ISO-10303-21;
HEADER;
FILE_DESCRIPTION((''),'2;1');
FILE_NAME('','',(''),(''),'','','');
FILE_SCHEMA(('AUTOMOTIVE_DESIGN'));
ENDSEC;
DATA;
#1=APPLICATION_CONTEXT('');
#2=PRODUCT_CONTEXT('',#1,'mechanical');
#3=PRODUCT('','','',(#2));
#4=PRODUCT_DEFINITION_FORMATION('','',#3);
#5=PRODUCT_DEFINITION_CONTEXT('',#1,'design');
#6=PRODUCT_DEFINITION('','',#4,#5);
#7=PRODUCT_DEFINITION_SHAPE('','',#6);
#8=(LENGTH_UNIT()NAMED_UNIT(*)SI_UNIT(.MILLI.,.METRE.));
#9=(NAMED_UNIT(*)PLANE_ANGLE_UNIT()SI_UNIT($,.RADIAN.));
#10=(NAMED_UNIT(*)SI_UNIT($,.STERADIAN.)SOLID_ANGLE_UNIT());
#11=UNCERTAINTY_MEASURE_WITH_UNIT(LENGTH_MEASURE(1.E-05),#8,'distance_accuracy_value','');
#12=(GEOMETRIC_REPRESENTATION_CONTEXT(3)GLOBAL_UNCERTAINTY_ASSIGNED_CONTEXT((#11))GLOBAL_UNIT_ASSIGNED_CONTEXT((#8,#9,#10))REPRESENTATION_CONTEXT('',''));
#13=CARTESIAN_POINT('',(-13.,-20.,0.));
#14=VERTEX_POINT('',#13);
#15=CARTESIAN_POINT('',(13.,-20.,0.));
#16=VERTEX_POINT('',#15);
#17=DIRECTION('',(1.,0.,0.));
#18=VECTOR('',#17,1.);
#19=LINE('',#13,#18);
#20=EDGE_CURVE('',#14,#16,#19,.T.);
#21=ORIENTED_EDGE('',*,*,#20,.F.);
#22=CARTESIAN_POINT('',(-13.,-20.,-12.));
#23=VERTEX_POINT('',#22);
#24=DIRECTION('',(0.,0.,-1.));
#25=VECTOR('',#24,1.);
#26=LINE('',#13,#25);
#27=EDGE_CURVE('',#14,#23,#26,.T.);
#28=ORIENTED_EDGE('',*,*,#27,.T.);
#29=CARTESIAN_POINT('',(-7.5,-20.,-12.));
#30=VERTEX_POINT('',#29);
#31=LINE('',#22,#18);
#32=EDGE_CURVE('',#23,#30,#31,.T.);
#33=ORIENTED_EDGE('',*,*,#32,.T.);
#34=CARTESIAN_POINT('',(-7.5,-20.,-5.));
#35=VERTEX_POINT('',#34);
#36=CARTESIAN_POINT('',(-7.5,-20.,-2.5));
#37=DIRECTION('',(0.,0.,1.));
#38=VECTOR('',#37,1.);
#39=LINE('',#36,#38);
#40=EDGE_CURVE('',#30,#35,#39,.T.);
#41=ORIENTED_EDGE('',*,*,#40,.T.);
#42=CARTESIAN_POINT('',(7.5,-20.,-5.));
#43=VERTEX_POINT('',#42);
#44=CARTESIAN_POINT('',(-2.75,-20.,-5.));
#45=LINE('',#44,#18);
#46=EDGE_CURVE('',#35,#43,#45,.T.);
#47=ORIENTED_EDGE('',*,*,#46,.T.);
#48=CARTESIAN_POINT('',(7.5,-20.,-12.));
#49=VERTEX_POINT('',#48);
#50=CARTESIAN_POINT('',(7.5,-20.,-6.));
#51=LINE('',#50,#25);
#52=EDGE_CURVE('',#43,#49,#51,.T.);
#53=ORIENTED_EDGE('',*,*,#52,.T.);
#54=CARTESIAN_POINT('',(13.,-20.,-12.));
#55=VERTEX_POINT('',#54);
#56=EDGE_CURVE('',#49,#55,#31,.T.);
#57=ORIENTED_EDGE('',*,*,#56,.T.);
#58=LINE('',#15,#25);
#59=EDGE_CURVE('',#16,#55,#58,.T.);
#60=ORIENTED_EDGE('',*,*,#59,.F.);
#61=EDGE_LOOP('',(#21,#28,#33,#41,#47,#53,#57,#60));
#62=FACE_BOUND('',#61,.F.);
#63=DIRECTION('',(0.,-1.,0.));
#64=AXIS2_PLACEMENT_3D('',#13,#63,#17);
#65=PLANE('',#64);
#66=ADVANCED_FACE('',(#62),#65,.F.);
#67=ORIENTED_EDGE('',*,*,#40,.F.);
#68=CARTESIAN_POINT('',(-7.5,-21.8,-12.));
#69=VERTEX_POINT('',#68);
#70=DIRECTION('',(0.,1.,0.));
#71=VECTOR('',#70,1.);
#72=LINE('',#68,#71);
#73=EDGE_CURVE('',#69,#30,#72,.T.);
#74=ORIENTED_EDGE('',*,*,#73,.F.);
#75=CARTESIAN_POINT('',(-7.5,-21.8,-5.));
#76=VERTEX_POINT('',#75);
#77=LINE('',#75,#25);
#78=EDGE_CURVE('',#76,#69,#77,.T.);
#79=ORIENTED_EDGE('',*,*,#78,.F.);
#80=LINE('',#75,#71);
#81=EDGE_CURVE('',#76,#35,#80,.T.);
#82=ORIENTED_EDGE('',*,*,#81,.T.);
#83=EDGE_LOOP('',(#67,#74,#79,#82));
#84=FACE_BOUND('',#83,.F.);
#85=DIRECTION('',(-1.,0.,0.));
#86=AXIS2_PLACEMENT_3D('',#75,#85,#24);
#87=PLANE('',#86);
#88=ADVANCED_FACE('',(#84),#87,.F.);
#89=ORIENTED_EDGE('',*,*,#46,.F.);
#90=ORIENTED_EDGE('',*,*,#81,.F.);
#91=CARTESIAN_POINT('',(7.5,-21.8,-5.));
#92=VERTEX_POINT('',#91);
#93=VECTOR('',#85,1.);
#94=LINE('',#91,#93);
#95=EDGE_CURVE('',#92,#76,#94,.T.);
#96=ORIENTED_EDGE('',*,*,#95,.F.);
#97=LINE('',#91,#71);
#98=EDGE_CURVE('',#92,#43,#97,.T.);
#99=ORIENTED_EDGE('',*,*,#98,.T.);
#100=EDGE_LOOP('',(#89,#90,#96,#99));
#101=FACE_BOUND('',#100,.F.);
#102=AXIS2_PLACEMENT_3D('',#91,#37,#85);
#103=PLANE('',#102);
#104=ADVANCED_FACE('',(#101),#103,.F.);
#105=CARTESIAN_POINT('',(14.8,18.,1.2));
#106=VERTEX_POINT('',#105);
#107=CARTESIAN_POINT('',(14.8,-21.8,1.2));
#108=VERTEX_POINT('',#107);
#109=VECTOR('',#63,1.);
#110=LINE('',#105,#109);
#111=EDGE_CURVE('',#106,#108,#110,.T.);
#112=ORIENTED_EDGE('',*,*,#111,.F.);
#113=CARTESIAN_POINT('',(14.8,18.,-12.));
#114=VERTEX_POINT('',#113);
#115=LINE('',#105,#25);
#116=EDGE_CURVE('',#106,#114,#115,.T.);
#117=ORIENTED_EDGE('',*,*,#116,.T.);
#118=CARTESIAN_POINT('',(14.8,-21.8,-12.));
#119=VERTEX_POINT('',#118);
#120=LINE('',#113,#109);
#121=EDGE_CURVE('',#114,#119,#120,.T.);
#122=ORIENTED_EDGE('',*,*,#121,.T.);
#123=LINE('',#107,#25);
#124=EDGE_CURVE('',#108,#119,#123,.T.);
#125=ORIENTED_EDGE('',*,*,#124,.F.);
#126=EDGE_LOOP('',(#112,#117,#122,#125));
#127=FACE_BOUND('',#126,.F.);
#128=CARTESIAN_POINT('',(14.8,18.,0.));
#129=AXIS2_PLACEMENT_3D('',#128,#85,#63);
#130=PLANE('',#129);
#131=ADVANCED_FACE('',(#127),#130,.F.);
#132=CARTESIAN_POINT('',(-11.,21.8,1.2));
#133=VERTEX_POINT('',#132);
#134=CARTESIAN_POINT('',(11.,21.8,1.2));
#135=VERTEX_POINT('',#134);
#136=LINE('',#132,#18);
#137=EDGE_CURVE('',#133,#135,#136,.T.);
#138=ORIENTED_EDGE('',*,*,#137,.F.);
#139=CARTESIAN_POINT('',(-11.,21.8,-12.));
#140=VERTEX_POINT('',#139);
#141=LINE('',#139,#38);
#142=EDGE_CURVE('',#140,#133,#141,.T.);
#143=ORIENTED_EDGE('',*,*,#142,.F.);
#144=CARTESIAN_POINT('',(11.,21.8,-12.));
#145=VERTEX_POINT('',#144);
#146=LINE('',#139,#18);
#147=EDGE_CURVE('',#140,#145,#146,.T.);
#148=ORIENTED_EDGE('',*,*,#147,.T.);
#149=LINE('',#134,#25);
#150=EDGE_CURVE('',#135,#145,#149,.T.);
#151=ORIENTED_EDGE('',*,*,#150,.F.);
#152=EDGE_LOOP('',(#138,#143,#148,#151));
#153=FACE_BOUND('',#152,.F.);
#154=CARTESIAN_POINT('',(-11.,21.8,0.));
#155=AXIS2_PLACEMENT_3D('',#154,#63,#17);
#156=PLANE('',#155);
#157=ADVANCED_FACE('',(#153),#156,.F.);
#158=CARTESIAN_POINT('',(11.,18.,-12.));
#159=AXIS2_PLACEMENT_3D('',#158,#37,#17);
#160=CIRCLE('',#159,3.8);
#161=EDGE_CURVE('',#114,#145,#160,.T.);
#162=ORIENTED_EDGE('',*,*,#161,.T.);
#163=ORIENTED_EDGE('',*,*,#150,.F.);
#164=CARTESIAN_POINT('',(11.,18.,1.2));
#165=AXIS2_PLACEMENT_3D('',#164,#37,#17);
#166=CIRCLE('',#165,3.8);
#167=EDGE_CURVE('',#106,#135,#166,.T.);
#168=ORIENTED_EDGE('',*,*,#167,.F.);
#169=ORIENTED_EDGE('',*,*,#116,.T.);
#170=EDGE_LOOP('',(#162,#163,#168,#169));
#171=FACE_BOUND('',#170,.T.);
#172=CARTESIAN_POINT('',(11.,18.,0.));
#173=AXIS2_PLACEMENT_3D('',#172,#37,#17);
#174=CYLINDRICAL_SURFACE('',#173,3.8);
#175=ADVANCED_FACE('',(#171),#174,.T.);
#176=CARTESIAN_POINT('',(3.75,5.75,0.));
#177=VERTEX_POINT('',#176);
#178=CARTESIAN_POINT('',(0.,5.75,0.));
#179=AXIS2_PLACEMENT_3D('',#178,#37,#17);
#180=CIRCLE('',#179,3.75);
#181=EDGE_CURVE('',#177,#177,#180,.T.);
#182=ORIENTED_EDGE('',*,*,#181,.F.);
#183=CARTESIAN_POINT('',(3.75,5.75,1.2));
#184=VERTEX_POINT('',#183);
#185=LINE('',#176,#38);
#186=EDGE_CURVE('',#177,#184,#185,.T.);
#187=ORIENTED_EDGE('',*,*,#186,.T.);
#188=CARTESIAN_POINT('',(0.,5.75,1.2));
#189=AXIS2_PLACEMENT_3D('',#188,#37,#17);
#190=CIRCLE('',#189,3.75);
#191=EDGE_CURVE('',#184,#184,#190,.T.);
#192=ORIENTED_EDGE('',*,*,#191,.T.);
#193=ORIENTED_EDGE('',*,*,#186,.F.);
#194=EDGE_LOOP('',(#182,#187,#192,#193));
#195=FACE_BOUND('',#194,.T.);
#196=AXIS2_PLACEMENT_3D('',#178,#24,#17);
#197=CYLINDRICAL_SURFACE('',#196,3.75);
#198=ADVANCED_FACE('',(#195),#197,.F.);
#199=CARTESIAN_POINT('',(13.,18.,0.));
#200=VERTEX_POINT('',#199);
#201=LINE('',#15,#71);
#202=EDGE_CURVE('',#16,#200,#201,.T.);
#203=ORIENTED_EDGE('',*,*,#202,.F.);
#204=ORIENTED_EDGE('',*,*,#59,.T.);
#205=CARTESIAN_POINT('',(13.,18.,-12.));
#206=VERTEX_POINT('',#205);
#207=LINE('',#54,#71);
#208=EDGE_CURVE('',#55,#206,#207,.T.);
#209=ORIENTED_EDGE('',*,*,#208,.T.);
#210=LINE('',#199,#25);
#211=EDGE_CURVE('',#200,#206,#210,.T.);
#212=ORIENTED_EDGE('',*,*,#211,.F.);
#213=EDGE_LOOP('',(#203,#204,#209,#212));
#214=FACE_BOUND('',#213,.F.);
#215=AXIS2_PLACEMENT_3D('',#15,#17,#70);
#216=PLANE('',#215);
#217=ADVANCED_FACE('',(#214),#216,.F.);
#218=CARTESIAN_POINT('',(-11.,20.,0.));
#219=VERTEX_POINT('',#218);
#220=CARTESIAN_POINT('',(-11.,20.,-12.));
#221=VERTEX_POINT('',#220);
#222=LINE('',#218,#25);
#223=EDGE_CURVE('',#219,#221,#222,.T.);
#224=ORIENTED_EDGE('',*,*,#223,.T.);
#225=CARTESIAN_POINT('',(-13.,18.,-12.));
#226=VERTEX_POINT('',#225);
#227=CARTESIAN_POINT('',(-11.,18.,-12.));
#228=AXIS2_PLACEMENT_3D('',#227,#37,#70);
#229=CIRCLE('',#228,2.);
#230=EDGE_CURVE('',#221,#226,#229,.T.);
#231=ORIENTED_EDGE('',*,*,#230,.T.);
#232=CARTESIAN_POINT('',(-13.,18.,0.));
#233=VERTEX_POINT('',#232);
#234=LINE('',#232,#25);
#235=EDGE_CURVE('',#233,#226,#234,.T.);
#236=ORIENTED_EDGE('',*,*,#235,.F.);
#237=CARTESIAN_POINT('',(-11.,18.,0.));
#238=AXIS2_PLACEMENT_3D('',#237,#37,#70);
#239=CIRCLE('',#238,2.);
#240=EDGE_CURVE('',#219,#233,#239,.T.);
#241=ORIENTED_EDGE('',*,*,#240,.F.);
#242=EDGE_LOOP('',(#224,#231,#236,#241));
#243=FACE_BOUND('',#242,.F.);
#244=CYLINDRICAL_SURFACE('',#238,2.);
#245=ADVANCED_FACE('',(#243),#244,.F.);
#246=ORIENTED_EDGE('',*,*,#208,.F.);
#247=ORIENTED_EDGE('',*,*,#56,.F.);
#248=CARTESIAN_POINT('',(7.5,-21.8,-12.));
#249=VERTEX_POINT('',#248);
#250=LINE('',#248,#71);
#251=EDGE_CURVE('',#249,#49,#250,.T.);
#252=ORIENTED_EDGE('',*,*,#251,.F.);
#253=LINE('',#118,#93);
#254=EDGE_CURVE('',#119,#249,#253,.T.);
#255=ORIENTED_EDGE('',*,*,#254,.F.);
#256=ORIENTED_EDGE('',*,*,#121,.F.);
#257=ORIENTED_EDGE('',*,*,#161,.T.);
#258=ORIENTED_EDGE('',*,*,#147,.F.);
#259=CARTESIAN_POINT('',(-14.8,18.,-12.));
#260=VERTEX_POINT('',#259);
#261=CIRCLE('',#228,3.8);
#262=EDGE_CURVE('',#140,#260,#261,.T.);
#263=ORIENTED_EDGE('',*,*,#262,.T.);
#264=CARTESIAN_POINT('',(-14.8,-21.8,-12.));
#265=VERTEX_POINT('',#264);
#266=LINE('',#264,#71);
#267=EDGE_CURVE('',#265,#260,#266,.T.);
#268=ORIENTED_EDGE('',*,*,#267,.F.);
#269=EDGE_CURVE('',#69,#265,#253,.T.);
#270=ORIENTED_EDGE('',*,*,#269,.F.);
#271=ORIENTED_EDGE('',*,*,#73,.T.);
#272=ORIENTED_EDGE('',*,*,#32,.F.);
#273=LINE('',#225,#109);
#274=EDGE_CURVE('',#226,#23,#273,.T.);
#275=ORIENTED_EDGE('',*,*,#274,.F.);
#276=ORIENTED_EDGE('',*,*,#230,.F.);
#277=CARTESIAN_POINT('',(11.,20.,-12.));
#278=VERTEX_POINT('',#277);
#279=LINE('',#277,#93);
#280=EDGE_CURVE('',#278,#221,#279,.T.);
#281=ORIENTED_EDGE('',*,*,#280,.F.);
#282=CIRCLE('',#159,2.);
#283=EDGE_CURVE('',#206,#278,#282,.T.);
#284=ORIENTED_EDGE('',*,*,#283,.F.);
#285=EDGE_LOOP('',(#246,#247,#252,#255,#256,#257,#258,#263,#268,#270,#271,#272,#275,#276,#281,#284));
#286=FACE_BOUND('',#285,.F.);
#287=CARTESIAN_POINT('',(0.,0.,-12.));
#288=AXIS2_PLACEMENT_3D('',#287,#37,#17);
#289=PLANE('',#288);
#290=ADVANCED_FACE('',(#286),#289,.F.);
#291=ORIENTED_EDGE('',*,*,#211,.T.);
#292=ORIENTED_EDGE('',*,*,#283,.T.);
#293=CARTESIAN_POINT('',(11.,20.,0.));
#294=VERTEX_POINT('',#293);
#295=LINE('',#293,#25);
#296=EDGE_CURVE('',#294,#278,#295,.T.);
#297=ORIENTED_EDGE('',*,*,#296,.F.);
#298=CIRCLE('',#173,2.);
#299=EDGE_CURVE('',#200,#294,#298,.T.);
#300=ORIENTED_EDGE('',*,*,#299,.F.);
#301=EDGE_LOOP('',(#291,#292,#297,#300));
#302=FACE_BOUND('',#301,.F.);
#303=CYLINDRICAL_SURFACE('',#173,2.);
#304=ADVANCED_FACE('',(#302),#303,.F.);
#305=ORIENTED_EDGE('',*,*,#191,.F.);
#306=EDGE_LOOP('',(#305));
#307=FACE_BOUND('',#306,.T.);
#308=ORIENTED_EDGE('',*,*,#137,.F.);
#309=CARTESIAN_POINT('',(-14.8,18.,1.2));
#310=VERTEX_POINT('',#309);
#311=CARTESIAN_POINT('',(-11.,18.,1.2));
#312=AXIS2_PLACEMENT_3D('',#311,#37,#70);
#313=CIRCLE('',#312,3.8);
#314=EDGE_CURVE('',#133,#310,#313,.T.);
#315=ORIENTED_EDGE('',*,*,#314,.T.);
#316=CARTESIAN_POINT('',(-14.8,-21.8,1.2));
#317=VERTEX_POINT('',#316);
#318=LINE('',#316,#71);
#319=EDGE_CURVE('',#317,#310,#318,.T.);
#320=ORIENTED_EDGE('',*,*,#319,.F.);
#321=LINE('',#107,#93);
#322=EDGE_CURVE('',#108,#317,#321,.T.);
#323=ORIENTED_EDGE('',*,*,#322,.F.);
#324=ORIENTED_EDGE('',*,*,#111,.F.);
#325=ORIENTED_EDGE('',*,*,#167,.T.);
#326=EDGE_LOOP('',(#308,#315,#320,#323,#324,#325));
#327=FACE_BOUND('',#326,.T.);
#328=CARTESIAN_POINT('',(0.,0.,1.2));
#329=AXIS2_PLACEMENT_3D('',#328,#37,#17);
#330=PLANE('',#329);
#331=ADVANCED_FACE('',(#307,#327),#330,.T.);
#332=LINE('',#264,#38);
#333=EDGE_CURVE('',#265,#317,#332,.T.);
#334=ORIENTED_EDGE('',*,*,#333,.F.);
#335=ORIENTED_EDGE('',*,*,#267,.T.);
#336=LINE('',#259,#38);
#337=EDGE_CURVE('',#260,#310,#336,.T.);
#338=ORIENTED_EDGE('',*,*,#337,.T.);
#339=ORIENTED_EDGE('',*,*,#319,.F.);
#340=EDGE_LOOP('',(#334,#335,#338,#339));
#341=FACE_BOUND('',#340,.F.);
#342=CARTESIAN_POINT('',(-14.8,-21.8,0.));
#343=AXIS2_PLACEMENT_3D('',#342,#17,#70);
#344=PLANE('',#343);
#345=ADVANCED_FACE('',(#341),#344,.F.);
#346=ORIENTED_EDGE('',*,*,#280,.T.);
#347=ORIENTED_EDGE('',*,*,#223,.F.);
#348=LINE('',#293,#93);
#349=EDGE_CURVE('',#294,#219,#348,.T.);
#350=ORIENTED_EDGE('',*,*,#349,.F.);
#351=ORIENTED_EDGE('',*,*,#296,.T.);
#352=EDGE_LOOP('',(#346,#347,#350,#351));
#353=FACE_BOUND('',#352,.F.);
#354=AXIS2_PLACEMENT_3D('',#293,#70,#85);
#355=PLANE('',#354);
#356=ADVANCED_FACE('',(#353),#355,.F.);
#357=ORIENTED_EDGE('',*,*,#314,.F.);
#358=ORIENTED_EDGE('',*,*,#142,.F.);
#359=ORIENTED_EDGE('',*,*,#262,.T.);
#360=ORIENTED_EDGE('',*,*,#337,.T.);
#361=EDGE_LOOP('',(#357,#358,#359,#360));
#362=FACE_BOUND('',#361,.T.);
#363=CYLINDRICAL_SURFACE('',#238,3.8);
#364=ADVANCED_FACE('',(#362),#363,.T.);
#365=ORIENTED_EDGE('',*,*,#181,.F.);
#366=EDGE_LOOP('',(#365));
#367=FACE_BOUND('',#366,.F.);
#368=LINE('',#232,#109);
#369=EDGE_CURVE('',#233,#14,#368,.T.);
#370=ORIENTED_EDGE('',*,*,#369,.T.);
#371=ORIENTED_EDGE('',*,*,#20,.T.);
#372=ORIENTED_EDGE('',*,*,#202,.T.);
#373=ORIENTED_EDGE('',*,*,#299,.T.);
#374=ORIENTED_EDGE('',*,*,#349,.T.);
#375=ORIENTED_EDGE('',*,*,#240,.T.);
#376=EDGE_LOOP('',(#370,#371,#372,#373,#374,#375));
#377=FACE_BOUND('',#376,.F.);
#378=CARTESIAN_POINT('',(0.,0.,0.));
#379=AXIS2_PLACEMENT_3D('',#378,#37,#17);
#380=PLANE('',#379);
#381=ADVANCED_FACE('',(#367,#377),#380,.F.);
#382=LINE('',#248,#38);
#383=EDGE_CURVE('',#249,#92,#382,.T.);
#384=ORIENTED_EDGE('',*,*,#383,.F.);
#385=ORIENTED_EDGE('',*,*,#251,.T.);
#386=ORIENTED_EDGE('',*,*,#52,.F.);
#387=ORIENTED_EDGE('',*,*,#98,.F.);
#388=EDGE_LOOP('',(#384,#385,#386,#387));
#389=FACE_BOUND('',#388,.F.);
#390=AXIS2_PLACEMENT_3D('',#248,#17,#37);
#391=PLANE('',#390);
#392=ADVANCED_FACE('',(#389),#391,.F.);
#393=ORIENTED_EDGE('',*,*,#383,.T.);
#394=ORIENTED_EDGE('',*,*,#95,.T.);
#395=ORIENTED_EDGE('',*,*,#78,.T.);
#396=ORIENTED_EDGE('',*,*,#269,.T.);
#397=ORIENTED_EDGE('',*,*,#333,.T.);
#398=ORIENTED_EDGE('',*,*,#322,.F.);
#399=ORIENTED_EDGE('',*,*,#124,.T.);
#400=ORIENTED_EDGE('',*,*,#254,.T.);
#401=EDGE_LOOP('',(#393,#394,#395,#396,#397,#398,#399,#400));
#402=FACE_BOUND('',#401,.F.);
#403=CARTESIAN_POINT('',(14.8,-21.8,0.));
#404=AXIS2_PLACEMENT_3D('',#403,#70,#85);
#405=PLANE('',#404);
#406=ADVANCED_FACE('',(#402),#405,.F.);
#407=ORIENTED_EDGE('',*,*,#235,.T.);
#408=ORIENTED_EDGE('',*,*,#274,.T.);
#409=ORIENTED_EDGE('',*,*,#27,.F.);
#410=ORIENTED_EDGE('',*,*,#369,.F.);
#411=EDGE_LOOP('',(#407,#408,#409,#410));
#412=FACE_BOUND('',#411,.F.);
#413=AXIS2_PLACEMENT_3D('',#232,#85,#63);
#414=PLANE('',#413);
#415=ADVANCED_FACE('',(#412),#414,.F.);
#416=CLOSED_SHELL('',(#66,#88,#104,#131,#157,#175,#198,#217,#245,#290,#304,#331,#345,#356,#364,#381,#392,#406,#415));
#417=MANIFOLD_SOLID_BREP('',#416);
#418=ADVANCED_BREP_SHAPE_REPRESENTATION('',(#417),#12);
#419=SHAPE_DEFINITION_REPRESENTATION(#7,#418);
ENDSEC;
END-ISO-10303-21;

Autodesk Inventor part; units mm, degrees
ref_plane "YZ Plane" through (0, 0, 0) normal (1, 0, 0) x (0, 1, 0)
ref_plane "XZ Plane" through (0, 0, 0) normal (0, 1, 0) x (-1, 0, 0)
ref_plane "XY Plane" through (0, 0, 0) normal (0, 0, 1) x (1, 0, 0)
sketch "Skizze1" plane through (0, 0, 0) normal (0, 0, 1) x (1, 0, 0)
  line L0 (-13, -20) -> (13, -20)
  line L1 (13, -20) -> (13, 18)
  line L2 (11, 20) -> (-11, 20)
  line L3 (-13, 18) -> (-13, -20)
  line L4 (-13, -20) -> (13, 20) construction
  line L5 (13, -20) -> (-13, 20) construction
  arc A0 (13, 18) -> (11, 20) centre (11, 18) ccw
  arc A1 (-11, 20) -> (-13, 18) centre (-11, 18) ccw
  line L6 (-11, 21.8) -> (11, 21.8)
  arc A2 (14.8, 18) -> (11, 21.8) centre (11, 18) ccw
  line L7 (14.8, 18) -> (14.8, -21.8)
  line L8 (14.8, -21.8) -> (-14.8, -21.8)
  line L9 (-14.8, -21.8) -> (-14.8, 18)
  arc A3 (-11, 21.8) -> (-14.8, 18) centre (-11, 18) ccw
  line L10 (-4.25, 10) -> (4.25, 10)
  line L11 (4.25, 10) -> (4.25, 1.5)
  line L12 (4.25, 1.5) -> (-4.25, 1.5)
  line L13 (-4.25, 1.5) -> (-4.25, 10)
  circle A4 centre (0, 5.75) radius 4.25 construction
  line L14 (0, 20) -> (0, -20) construction
  circle A5 centre (0, 5.75) radius 3.75
  point P0 (0, 0)
  dimension "d0" = 26
  dimension "d7" = 2
  dimension "d8" = 1.8
  dimension "d13" = 21.5
  dimension "d14" = 8.5
  dimension "d15" = 7.5
  dimension "d16" = 40
extrude "Extrusion1" add sketch "Skizze1" against normal blind 12 contours L6 A2 L7 L8 L9 A3
extrude "Extrusion2" add sketch "Skizze1" along normal blind 1.2 contours L3 A1 L2 A0 L1 L0 | L6 A2 L7 L8 L9 A3 | L10 L11 L12 L13
sketch "Skizze2" plane through (-14.8, -21.8, -12) normal (0, -1, 0) x (1, 0, 0)
  line L0 (0, 0) -> (0, 13.2) projected
  line L1 (29.6, 0) -> (0, 0) projected
  line L2 (29.6, 0) -> (29.6, 13.2) projected
  line L3 (0, 13.2) -> (29.6, 13.2) projected
  line L4 (3.8, 0) -> (25.8, 0) projected
  line L5 (7.3, 0) -> (22.3, 0)
  line L6 (22.3, 0) -> (22.3, 7)
  line L7 (22.3, 7) -> (7.3, 7)
  line L8 (7.3, 7) -> (7.3, 0)
  point P0 (14.8, 12)
  point P1 (14.8, 0)
  point P2 (22.3, 0)
  dimension "d9" = 15
  dimension "d10" = 7
extrude "Extrusion3" cut sketch "Skizze2" against normal up to next contours L8 L7 L6 L1
properties part number "Camera-Cover"
